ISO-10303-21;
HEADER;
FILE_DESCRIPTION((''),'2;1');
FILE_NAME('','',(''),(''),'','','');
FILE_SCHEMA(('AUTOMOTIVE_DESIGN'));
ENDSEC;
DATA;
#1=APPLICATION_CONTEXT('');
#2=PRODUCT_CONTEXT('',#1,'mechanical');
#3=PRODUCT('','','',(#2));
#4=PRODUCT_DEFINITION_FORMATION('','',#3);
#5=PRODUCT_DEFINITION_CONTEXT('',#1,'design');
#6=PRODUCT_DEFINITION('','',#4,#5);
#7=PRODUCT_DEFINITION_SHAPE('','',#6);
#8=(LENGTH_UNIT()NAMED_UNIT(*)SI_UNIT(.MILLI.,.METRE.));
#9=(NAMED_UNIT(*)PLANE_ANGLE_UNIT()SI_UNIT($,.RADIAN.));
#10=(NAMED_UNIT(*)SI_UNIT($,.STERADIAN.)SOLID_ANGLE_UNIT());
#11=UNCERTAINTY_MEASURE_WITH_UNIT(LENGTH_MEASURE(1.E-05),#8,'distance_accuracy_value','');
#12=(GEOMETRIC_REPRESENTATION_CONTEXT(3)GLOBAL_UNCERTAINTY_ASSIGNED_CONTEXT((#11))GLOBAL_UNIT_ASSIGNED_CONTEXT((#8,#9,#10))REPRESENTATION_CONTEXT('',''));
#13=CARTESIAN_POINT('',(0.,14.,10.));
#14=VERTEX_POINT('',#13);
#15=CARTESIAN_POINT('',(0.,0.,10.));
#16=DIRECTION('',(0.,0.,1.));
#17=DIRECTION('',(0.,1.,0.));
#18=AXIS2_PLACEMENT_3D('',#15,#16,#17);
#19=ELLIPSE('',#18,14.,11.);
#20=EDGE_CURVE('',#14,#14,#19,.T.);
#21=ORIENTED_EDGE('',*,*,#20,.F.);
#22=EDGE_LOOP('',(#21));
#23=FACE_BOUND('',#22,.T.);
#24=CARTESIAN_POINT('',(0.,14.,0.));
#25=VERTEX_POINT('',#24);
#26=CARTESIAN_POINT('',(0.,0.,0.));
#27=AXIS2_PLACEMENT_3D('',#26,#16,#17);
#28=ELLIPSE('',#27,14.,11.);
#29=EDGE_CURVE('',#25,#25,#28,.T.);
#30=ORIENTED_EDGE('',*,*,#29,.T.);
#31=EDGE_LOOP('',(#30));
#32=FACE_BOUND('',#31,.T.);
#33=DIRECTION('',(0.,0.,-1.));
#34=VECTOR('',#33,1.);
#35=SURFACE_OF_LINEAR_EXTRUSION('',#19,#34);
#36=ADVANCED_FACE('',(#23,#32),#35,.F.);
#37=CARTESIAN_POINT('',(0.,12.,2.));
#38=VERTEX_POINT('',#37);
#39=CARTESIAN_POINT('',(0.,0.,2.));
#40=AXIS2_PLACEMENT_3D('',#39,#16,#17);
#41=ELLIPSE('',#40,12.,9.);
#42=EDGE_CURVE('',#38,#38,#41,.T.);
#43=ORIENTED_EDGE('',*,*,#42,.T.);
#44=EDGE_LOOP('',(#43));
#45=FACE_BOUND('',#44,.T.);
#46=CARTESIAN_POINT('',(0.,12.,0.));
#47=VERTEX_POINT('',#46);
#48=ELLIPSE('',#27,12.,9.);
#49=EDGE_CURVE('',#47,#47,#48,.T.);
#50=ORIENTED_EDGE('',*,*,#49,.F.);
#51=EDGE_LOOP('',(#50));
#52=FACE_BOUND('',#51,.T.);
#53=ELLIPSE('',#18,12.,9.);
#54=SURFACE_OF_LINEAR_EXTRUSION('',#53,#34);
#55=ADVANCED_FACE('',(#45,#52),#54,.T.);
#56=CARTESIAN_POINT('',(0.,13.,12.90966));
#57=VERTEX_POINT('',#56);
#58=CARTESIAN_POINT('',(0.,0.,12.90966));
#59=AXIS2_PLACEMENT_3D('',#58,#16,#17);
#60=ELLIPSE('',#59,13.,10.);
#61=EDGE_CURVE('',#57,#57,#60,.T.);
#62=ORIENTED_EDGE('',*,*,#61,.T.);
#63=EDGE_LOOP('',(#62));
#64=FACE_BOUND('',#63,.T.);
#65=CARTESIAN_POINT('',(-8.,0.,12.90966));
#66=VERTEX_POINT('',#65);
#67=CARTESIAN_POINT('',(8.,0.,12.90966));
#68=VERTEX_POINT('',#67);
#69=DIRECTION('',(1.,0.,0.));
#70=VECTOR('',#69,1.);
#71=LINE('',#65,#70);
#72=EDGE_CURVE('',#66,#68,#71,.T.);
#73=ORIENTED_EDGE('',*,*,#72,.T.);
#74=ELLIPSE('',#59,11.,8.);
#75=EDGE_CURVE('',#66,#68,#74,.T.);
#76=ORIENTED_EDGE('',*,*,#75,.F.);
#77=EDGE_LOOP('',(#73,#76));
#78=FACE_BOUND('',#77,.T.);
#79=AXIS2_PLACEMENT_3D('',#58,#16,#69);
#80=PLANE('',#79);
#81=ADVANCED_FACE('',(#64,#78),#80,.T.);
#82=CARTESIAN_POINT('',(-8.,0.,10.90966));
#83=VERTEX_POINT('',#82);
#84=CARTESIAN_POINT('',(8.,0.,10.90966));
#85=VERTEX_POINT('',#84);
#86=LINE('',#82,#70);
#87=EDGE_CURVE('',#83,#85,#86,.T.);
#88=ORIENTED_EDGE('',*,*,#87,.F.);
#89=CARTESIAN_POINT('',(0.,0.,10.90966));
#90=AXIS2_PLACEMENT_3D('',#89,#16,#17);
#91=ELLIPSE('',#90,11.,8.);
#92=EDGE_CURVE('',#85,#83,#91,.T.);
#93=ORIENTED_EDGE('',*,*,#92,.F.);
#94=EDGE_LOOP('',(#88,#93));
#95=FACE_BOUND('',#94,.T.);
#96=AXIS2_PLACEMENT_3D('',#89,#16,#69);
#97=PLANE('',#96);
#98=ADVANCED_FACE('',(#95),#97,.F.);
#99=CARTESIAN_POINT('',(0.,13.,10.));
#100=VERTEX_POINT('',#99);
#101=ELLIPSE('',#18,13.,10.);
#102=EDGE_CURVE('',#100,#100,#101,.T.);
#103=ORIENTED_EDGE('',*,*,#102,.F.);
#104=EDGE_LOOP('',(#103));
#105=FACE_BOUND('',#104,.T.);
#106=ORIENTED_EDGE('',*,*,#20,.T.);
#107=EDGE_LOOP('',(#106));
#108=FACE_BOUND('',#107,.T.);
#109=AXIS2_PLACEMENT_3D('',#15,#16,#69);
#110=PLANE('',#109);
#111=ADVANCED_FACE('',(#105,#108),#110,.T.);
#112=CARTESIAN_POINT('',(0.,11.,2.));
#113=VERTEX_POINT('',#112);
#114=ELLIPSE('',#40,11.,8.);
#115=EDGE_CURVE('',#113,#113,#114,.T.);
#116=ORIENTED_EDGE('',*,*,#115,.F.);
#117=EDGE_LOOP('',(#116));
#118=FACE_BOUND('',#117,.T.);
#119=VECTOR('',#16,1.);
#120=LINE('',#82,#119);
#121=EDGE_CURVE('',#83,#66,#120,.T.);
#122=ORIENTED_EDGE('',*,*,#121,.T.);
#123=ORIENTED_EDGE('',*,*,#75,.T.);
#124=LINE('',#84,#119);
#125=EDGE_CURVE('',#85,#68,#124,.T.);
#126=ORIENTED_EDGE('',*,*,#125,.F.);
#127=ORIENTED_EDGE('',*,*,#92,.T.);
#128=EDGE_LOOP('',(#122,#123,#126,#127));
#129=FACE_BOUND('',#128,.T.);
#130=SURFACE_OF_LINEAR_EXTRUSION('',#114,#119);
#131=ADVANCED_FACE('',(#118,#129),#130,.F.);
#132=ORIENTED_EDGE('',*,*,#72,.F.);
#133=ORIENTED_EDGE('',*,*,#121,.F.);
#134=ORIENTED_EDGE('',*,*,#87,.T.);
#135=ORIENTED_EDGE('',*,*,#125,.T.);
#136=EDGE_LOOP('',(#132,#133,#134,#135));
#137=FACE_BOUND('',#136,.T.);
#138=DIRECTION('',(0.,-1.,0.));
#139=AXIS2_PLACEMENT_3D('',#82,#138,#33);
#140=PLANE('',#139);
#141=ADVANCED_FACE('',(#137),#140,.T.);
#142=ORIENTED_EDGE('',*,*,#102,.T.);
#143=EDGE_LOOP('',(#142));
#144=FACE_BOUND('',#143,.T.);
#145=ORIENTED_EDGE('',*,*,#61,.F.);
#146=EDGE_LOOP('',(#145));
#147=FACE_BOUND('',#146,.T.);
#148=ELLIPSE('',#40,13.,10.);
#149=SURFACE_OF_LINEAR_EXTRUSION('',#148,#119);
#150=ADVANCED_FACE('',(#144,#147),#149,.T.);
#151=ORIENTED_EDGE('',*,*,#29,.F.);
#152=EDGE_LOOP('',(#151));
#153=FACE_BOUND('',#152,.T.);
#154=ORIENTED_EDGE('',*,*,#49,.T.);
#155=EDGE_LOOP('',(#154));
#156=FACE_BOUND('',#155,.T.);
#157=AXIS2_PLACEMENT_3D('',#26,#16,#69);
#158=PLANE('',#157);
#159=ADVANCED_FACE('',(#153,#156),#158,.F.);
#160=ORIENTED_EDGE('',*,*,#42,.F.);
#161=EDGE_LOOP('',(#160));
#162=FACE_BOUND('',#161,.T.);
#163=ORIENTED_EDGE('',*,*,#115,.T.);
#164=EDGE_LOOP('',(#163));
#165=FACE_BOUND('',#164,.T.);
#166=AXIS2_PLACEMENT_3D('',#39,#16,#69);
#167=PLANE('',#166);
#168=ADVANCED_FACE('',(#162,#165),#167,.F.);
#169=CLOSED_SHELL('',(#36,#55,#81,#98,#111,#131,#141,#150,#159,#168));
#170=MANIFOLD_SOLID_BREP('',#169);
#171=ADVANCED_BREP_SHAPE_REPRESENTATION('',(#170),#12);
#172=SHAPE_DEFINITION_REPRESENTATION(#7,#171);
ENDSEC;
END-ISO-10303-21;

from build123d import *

# Parameters (mm, degrees)
CROQUIS1_RX                  = 14
CROQUIS1_RY                  = 11
CROQUIS1_RX_2                = 12
CROQUIS1_RY_2                = 9
SALIENTE_EXTRUIR1_DEPTH      = 10
CROQUIS2_RX                  = 13
CROQUIS2_RY                  = 10
CROQUIS2_RX_2                = 11
CROQUIS2_RY_2                = 8
SALIENTE_EXTRUIR3_DEPTH      = 2.90966046
SALIENTE_EXTRUIR3_DEPTH_BACK = 8
SALIENTE_EXTRUIR4_DEPTH      = 2


with BuildPart() as part:
    # Croquis1 → Saliente-Extruir1 (new body)
    with BuildSketch(Plane.XY):
        with Locations(Location((0, 0), (0, 0, 90))):
            Ellipse(CROQUIS1_RX, CROQUIS1_RY)
        with Locations(Location((0, 0), (0, 0, 90))):
            Ellipse(CROQUIS1_RX_2, CROQUIS1_RY_2, mode=Mode.SUBTRACT)
    extrude(amount=SALIENTE_EXTRUIR1_DEPTH)

    # Croquis2 → Saliente-Extruir3 (add, two sides)
    with BuildSketch(Plane.XY.offset(10)) as saliente_extruir3_sk:
        with Locations(Location((0, 0), (0, 0, 90))):
            Ellipse(CROQUIS2_RX, CROQUIS2_RY)
        with Locations(Location((0, 0), (0, 0, 90))):
            Ellipse(CROQUIS2_RX_2, CROQUIS2_RY_2, mode=Mode.SUBTRACT)
    extrude(amount=SALIENTE_EXTRUIR3_DEPTH)
    extrude(saliente_extruir3_sk.sketch, amount=-SALIENTE_EXTRUIR3_DEPTH_BACK)

    # Croquis4 → Saliente-Extruir4 (add)
    with BuildSketch(Plane.XY.offset(12.90966046)):
        with BuildLine():
            Line((-8, 0), (8, 0))
            add(Edge.make_bspline(
                [(8, 0), (8, 11), (0, 11), (-8, 11), (-8, 0)],
                knots=[4.71238898, 4.71238898, 4.71238898, 6.283185307, 6.283185307, 7.853981634, 7.853981634, 7.853981634], degree=2, weights=[1, 0.707106781, 1, 0.707106781, 1]))
        make_face()
    extrude(amount=-SALIENTE_EXTRUIR4_DEPTH)


solid = part.part
